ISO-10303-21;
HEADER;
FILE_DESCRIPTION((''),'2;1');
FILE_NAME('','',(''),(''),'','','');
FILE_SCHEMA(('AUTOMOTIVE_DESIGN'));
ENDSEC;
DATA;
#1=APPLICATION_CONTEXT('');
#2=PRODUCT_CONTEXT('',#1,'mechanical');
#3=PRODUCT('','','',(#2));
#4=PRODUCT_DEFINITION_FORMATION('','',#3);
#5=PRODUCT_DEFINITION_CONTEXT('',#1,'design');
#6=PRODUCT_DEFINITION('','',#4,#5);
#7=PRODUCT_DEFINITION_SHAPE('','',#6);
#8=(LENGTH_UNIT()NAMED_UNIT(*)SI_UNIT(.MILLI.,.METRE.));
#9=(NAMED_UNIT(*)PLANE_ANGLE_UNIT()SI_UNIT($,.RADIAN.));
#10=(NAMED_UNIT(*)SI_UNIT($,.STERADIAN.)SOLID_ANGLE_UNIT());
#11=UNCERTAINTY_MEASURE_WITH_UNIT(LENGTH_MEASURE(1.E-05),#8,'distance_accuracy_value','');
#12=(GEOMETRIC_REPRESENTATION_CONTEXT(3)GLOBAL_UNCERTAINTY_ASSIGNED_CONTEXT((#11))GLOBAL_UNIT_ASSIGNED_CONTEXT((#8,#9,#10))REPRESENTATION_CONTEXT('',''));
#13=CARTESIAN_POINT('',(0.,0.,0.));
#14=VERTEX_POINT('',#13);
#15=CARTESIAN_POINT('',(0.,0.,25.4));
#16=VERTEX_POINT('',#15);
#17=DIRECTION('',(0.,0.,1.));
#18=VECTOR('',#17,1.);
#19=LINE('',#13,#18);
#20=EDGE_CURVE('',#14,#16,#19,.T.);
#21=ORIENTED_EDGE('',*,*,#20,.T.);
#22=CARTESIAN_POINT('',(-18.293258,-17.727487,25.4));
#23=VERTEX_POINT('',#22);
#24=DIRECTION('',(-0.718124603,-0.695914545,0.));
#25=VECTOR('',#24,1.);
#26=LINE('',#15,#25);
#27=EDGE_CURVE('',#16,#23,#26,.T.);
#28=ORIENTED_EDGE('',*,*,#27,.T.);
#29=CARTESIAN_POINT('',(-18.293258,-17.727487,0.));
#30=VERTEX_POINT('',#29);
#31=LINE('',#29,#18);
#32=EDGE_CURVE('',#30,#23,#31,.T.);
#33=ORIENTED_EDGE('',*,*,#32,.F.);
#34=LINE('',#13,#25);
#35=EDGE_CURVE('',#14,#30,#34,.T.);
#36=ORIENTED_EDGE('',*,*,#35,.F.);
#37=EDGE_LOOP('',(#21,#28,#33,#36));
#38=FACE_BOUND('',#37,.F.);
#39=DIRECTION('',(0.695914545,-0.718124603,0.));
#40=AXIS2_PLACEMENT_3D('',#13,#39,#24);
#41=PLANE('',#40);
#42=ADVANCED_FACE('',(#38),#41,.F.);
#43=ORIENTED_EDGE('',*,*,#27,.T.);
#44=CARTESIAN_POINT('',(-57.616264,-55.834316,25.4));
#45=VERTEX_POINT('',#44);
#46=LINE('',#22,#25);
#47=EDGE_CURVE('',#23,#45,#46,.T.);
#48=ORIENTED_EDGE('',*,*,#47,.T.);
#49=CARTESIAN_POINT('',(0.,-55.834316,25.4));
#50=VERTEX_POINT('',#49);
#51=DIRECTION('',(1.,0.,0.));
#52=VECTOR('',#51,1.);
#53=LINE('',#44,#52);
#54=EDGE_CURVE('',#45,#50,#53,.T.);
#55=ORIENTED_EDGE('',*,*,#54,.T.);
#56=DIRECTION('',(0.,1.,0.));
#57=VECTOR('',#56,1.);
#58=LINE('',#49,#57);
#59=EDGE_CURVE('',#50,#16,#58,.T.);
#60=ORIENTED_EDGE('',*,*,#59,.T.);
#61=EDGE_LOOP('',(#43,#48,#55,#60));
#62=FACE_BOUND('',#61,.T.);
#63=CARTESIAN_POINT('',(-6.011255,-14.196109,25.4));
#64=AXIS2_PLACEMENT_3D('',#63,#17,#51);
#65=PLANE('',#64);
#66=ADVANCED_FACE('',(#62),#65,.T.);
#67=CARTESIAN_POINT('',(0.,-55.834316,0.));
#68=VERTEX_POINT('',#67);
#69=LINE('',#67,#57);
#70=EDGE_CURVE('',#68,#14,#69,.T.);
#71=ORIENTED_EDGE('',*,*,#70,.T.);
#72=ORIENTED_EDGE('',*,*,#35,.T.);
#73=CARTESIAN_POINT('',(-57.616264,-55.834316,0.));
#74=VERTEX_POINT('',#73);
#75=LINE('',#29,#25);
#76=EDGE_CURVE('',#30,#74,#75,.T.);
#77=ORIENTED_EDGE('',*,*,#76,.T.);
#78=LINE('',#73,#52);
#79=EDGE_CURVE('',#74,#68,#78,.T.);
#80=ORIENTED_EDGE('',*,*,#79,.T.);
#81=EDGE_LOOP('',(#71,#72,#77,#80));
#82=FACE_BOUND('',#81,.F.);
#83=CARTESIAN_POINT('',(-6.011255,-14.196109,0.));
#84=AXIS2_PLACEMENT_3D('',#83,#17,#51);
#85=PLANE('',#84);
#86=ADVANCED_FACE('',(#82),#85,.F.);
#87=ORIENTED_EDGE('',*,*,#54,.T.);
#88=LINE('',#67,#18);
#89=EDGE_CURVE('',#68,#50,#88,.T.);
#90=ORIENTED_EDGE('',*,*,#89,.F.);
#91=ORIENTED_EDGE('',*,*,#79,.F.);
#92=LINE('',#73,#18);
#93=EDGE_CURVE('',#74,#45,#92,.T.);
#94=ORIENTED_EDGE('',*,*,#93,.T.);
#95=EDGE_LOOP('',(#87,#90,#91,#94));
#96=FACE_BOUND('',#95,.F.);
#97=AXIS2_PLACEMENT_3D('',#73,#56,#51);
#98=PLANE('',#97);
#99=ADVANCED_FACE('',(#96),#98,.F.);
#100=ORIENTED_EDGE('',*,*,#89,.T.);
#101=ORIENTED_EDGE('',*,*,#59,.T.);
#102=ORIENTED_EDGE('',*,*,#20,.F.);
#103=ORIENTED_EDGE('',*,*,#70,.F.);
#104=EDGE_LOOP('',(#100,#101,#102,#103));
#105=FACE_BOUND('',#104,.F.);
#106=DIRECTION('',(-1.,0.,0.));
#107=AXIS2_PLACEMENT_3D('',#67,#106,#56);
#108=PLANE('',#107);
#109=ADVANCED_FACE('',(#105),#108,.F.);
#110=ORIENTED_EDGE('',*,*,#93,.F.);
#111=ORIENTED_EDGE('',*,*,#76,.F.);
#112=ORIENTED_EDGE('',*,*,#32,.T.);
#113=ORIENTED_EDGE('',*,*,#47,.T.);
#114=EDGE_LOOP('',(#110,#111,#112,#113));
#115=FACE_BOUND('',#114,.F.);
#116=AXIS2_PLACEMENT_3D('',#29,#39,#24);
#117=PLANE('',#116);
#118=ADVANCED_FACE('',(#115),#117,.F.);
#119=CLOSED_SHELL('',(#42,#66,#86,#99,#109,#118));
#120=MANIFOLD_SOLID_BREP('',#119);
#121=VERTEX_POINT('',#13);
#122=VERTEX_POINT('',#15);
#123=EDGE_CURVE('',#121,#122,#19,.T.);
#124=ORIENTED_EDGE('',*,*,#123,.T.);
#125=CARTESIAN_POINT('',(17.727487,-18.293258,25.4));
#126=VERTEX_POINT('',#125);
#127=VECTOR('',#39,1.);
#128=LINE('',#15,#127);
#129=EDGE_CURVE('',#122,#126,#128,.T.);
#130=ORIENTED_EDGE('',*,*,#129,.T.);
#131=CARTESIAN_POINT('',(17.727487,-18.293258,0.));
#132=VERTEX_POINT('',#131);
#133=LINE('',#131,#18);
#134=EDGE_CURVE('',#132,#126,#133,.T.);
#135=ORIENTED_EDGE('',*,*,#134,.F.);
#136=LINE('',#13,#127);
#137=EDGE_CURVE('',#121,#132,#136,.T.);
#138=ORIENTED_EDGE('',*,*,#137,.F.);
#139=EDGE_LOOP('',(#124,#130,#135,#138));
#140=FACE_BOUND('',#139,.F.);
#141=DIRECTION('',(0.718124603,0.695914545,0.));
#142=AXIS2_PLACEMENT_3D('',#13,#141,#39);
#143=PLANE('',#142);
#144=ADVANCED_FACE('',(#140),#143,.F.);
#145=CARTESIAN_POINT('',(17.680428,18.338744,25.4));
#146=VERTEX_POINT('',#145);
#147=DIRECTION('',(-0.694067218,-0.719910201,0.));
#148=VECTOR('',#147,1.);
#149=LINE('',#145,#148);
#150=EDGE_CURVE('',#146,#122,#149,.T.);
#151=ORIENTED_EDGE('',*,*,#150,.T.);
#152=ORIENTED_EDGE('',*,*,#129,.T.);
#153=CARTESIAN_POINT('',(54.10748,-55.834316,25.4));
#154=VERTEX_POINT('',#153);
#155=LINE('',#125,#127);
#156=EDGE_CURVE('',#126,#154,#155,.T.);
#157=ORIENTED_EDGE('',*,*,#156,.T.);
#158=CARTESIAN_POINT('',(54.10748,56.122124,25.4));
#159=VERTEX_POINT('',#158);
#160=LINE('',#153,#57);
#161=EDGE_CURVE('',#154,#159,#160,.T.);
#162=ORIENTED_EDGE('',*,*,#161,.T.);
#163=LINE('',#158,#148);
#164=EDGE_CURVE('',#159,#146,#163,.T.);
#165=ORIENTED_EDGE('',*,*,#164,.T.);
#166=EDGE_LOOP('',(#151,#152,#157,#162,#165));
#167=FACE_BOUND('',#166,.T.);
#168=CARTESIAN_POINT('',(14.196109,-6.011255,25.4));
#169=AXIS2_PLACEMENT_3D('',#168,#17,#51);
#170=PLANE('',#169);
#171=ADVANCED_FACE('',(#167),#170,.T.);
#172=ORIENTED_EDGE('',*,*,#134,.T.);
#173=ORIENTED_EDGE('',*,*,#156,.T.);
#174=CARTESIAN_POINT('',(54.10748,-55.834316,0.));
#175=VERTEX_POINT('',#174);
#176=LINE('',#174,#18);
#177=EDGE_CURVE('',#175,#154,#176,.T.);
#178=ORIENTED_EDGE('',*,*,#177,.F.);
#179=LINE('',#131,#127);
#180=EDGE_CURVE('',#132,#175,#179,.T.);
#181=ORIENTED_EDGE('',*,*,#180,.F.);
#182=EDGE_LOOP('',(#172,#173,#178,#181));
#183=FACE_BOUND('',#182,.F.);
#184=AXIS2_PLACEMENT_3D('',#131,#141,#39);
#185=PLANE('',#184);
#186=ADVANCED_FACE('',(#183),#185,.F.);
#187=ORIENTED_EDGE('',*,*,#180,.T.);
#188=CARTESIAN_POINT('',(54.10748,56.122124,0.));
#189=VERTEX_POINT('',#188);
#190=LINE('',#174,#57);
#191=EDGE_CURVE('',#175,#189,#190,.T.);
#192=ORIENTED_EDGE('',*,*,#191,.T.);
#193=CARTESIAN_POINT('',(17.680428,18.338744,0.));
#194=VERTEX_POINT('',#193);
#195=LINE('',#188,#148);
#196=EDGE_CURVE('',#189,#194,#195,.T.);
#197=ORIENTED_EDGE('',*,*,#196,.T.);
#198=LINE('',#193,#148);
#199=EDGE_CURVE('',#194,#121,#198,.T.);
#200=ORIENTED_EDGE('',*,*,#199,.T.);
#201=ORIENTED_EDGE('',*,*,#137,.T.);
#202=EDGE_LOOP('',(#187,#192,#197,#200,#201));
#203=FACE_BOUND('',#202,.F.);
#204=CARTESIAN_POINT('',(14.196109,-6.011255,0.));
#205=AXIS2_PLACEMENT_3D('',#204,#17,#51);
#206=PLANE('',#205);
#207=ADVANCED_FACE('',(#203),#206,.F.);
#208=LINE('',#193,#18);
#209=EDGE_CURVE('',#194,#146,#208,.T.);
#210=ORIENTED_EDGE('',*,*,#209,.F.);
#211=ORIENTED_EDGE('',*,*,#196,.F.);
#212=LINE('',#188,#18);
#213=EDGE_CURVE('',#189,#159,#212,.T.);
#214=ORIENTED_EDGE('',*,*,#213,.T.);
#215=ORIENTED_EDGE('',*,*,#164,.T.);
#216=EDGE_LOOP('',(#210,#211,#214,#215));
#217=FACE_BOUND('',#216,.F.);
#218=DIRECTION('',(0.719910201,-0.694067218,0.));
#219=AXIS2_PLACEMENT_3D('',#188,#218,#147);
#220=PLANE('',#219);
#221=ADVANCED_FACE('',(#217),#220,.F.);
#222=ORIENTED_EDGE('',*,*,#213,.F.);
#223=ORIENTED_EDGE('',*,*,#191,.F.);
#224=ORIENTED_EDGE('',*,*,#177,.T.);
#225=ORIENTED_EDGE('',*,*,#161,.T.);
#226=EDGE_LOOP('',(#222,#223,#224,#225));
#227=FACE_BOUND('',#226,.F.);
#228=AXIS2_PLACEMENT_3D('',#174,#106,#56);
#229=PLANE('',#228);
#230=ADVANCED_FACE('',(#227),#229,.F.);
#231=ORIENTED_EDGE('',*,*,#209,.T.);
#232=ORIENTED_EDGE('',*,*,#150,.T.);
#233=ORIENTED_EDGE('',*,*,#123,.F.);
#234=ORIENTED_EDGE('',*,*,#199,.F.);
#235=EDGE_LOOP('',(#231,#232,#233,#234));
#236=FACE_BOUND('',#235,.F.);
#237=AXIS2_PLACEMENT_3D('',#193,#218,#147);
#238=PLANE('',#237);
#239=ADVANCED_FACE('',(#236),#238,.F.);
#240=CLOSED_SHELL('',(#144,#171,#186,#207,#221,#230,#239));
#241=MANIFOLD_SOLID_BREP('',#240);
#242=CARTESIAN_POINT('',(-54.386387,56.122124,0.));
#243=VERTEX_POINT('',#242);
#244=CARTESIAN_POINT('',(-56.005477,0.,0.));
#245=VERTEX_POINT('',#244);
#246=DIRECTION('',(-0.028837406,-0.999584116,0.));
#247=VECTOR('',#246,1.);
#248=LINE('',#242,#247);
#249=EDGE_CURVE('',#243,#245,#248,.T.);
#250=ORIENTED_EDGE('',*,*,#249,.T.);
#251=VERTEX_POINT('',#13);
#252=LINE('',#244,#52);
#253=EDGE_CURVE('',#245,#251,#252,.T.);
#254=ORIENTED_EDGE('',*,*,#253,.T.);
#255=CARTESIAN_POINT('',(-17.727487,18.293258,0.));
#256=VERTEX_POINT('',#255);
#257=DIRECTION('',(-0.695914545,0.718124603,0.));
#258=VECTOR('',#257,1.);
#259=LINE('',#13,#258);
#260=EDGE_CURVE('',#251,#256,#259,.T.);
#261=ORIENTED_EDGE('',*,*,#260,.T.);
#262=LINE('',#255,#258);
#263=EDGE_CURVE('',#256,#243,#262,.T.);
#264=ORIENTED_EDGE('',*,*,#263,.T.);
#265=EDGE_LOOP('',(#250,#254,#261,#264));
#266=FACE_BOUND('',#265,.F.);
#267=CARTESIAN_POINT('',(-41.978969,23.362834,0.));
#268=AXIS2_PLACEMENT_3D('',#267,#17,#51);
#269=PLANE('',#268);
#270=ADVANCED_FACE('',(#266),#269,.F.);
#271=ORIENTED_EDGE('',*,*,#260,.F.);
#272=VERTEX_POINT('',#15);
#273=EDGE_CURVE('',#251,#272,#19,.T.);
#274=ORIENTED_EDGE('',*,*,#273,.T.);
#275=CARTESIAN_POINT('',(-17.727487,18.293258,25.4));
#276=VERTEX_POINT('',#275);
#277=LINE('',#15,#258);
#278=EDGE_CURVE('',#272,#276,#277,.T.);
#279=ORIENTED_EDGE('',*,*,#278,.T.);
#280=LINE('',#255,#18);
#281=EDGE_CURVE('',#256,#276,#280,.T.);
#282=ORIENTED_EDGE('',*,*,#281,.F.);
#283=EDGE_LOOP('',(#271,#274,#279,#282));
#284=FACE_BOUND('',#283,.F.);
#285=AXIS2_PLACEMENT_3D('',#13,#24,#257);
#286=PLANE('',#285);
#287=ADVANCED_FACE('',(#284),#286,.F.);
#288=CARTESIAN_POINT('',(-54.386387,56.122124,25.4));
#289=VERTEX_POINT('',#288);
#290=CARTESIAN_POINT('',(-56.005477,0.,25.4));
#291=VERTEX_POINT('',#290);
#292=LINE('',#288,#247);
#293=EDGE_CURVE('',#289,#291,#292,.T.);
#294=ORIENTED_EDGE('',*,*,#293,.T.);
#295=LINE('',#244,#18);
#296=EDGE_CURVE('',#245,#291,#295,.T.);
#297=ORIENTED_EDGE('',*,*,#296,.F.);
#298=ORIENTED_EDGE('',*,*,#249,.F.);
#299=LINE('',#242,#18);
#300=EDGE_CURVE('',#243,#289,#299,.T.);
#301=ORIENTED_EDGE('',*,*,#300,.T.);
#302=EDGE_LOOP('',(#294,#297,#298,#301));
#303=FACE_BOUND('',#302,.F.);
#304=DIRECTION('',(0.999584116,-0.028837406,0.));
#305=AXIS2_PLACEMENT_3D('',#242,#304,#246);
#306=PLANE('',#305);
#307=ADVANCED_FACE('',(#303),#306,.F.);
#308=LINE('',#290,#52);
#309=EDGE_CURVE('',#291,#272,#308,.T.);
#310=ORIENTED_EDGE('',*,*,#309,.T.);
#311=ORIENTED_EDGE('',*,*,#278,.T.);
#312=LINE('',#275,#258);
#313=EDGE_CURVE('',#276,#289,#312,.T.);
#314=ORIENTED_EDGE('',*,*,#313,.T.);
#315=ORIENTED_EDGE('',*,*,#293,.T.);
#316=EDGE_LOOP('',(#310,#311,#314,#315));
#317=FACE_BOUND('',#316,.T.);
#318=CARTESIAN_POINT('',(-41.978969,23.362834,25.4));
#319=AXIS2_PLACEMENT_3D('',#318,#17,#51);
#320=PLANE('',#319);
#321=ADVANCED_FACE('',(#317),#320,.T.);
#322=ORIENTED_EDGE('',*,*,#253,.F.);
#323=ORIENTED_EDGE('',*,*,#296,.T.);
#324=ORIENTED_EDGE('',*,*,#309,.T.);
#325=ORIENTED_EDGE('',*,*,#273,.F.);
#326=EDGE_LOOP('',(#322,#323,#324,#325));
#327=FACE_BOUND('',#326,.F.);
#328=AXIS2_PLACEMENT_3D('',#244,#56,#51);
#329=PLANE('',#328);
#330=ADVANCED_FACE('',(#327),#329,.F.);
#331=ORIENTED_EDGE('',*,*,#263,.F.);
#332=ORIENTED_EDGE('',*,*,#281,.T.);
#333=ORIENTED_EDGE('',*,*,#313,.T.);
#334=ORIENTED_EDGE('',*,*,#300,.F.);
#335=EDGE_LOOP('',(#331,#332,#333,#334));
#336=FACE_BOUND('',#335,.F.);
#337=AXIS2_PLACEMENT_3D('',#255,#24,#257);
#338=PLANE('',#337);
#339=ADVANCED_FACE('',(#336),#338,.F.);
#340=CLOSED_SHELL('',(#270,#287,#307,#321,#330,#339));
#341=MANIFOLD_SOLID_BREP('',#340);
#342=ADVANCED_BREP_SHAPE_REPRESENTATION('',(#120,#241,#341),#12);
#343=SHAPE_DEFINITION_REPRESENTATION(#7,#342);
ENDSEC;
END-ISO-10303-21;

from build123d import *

# Parameters (mm, degrees)
F1_DEPTH = 25.4


with BuildPart() as f1:
    # F0 (on Top) → F1 (new body)
    with BuildSketch(Plane.XY):
        with BuildLine():
            ThreePointArc((-25.4736543276, 0), (-23.4573115433, 9.9328545727), (-17.7274865659, 18.2932579072))
            Line((-17.7274865659, 18.2932579072), (-54.3863869283, 56.1221241951))
            Line((-54.3863869283, 56.1221241951), (-56.0054767745, 0))
            Line((-56.0054767745, 0), (-25.4736543276, 0))
        make_face()
        with BuildLine():
            Line((-25.4736543276, 0), (0, 0))
            Line((0, 0), (-17.7274865659, 18.2932579072))
            ThreePointArc((-17.7274865659, 18.2932579072), (-23.4573115433, 9.9328545727), (-25.4736543276, 0))
        make_face()
    extrude(amount=F1_DEPTH)


with BuildPart() as f1b:
    # F0 (on Top) → F1, piece 2 (new body)
    with BuildSketch(Plane.XY):
        with BuildLine():
            ThreePointArc((17.7274865659, -18.2932579072), (23.4573115433, -9.9328545727), (25.4736543276, 0))
            Line((25.4736543276, 0), (0, 0))
            Line((0, 0), (17.7274865659, -18.2932579072))
        make_face()
        with BuildLine():
            Line((54.1074797511, 0), (25.4736543276, 0))
            ThreePointArc((25.4736543276, 0), (23.4573115433, -9.9328545727), (17.7274865659, -18.2932579072))
            Line((17.7274865659, -18.2932579072), (54.1074797511, -55.8343157172))
            Line((54.1074797511, -55.8343157172), (54.1074797511, 0))
        make_face()
        with BuildLine():
            Line((0, 0), (25.4736543276, 0))
            ThreePointArc((25.4736543276, 0), (23.444532262, 9.9629800673), (17.6804283896, 18.3387435983))
            Line((17.6804283896, 18.3387435983), (0, 0))
        make_face()
        with BuildLine():
            ThreePointArc((17.6804283896, 18.3387435983), (23.444532262, 9.9629800673), (25.4736543276, 0))
            Line((25.4736543276, 0), (54.1074797511, 0))
            Line((54.1074797511, 0), (54.1074797511, 56.1221241951))
            Line((54.1074797511, 56.1221241951), (17.6804283896, 18.3387435983))
        make_face()
    extrude(amount=F1_DEPTH)


with BuildPart() as f1c:
    # F0 (on Top) → F1, piece 3 (new body)
    with BuildSketch(Plane.XY):
        with BuildLine():
            Line((0, -25.4736543276), (0, 0))
            Line((0, 0), (-18.2932579072, -17.7274865659))
            ThreePointArc((-18.2932579072, -17.7274865659), (-9.9328545727, -23.4573115433), (0, -25.4736543276))
        make_face()
        with BuildLine():
            Line((0, -55.8343157172), (0, -25.4736543276))
            ThreePointArc((0, -25.4736543276), (-9.9328545727, -23.4573115433), (-18.2932579072, -17.7274865659))
            Line((-18.2932579072, -17.7274865659), (-57.6162635175, -55.8343157172))
            Line((-57.6162635175, -55.8343157172), (0, -55.8343157172))
        make_face()
    extrude(amount=F1_DEPTH)


solid = Compound([f1.part, f1b.part, f1c.part])
